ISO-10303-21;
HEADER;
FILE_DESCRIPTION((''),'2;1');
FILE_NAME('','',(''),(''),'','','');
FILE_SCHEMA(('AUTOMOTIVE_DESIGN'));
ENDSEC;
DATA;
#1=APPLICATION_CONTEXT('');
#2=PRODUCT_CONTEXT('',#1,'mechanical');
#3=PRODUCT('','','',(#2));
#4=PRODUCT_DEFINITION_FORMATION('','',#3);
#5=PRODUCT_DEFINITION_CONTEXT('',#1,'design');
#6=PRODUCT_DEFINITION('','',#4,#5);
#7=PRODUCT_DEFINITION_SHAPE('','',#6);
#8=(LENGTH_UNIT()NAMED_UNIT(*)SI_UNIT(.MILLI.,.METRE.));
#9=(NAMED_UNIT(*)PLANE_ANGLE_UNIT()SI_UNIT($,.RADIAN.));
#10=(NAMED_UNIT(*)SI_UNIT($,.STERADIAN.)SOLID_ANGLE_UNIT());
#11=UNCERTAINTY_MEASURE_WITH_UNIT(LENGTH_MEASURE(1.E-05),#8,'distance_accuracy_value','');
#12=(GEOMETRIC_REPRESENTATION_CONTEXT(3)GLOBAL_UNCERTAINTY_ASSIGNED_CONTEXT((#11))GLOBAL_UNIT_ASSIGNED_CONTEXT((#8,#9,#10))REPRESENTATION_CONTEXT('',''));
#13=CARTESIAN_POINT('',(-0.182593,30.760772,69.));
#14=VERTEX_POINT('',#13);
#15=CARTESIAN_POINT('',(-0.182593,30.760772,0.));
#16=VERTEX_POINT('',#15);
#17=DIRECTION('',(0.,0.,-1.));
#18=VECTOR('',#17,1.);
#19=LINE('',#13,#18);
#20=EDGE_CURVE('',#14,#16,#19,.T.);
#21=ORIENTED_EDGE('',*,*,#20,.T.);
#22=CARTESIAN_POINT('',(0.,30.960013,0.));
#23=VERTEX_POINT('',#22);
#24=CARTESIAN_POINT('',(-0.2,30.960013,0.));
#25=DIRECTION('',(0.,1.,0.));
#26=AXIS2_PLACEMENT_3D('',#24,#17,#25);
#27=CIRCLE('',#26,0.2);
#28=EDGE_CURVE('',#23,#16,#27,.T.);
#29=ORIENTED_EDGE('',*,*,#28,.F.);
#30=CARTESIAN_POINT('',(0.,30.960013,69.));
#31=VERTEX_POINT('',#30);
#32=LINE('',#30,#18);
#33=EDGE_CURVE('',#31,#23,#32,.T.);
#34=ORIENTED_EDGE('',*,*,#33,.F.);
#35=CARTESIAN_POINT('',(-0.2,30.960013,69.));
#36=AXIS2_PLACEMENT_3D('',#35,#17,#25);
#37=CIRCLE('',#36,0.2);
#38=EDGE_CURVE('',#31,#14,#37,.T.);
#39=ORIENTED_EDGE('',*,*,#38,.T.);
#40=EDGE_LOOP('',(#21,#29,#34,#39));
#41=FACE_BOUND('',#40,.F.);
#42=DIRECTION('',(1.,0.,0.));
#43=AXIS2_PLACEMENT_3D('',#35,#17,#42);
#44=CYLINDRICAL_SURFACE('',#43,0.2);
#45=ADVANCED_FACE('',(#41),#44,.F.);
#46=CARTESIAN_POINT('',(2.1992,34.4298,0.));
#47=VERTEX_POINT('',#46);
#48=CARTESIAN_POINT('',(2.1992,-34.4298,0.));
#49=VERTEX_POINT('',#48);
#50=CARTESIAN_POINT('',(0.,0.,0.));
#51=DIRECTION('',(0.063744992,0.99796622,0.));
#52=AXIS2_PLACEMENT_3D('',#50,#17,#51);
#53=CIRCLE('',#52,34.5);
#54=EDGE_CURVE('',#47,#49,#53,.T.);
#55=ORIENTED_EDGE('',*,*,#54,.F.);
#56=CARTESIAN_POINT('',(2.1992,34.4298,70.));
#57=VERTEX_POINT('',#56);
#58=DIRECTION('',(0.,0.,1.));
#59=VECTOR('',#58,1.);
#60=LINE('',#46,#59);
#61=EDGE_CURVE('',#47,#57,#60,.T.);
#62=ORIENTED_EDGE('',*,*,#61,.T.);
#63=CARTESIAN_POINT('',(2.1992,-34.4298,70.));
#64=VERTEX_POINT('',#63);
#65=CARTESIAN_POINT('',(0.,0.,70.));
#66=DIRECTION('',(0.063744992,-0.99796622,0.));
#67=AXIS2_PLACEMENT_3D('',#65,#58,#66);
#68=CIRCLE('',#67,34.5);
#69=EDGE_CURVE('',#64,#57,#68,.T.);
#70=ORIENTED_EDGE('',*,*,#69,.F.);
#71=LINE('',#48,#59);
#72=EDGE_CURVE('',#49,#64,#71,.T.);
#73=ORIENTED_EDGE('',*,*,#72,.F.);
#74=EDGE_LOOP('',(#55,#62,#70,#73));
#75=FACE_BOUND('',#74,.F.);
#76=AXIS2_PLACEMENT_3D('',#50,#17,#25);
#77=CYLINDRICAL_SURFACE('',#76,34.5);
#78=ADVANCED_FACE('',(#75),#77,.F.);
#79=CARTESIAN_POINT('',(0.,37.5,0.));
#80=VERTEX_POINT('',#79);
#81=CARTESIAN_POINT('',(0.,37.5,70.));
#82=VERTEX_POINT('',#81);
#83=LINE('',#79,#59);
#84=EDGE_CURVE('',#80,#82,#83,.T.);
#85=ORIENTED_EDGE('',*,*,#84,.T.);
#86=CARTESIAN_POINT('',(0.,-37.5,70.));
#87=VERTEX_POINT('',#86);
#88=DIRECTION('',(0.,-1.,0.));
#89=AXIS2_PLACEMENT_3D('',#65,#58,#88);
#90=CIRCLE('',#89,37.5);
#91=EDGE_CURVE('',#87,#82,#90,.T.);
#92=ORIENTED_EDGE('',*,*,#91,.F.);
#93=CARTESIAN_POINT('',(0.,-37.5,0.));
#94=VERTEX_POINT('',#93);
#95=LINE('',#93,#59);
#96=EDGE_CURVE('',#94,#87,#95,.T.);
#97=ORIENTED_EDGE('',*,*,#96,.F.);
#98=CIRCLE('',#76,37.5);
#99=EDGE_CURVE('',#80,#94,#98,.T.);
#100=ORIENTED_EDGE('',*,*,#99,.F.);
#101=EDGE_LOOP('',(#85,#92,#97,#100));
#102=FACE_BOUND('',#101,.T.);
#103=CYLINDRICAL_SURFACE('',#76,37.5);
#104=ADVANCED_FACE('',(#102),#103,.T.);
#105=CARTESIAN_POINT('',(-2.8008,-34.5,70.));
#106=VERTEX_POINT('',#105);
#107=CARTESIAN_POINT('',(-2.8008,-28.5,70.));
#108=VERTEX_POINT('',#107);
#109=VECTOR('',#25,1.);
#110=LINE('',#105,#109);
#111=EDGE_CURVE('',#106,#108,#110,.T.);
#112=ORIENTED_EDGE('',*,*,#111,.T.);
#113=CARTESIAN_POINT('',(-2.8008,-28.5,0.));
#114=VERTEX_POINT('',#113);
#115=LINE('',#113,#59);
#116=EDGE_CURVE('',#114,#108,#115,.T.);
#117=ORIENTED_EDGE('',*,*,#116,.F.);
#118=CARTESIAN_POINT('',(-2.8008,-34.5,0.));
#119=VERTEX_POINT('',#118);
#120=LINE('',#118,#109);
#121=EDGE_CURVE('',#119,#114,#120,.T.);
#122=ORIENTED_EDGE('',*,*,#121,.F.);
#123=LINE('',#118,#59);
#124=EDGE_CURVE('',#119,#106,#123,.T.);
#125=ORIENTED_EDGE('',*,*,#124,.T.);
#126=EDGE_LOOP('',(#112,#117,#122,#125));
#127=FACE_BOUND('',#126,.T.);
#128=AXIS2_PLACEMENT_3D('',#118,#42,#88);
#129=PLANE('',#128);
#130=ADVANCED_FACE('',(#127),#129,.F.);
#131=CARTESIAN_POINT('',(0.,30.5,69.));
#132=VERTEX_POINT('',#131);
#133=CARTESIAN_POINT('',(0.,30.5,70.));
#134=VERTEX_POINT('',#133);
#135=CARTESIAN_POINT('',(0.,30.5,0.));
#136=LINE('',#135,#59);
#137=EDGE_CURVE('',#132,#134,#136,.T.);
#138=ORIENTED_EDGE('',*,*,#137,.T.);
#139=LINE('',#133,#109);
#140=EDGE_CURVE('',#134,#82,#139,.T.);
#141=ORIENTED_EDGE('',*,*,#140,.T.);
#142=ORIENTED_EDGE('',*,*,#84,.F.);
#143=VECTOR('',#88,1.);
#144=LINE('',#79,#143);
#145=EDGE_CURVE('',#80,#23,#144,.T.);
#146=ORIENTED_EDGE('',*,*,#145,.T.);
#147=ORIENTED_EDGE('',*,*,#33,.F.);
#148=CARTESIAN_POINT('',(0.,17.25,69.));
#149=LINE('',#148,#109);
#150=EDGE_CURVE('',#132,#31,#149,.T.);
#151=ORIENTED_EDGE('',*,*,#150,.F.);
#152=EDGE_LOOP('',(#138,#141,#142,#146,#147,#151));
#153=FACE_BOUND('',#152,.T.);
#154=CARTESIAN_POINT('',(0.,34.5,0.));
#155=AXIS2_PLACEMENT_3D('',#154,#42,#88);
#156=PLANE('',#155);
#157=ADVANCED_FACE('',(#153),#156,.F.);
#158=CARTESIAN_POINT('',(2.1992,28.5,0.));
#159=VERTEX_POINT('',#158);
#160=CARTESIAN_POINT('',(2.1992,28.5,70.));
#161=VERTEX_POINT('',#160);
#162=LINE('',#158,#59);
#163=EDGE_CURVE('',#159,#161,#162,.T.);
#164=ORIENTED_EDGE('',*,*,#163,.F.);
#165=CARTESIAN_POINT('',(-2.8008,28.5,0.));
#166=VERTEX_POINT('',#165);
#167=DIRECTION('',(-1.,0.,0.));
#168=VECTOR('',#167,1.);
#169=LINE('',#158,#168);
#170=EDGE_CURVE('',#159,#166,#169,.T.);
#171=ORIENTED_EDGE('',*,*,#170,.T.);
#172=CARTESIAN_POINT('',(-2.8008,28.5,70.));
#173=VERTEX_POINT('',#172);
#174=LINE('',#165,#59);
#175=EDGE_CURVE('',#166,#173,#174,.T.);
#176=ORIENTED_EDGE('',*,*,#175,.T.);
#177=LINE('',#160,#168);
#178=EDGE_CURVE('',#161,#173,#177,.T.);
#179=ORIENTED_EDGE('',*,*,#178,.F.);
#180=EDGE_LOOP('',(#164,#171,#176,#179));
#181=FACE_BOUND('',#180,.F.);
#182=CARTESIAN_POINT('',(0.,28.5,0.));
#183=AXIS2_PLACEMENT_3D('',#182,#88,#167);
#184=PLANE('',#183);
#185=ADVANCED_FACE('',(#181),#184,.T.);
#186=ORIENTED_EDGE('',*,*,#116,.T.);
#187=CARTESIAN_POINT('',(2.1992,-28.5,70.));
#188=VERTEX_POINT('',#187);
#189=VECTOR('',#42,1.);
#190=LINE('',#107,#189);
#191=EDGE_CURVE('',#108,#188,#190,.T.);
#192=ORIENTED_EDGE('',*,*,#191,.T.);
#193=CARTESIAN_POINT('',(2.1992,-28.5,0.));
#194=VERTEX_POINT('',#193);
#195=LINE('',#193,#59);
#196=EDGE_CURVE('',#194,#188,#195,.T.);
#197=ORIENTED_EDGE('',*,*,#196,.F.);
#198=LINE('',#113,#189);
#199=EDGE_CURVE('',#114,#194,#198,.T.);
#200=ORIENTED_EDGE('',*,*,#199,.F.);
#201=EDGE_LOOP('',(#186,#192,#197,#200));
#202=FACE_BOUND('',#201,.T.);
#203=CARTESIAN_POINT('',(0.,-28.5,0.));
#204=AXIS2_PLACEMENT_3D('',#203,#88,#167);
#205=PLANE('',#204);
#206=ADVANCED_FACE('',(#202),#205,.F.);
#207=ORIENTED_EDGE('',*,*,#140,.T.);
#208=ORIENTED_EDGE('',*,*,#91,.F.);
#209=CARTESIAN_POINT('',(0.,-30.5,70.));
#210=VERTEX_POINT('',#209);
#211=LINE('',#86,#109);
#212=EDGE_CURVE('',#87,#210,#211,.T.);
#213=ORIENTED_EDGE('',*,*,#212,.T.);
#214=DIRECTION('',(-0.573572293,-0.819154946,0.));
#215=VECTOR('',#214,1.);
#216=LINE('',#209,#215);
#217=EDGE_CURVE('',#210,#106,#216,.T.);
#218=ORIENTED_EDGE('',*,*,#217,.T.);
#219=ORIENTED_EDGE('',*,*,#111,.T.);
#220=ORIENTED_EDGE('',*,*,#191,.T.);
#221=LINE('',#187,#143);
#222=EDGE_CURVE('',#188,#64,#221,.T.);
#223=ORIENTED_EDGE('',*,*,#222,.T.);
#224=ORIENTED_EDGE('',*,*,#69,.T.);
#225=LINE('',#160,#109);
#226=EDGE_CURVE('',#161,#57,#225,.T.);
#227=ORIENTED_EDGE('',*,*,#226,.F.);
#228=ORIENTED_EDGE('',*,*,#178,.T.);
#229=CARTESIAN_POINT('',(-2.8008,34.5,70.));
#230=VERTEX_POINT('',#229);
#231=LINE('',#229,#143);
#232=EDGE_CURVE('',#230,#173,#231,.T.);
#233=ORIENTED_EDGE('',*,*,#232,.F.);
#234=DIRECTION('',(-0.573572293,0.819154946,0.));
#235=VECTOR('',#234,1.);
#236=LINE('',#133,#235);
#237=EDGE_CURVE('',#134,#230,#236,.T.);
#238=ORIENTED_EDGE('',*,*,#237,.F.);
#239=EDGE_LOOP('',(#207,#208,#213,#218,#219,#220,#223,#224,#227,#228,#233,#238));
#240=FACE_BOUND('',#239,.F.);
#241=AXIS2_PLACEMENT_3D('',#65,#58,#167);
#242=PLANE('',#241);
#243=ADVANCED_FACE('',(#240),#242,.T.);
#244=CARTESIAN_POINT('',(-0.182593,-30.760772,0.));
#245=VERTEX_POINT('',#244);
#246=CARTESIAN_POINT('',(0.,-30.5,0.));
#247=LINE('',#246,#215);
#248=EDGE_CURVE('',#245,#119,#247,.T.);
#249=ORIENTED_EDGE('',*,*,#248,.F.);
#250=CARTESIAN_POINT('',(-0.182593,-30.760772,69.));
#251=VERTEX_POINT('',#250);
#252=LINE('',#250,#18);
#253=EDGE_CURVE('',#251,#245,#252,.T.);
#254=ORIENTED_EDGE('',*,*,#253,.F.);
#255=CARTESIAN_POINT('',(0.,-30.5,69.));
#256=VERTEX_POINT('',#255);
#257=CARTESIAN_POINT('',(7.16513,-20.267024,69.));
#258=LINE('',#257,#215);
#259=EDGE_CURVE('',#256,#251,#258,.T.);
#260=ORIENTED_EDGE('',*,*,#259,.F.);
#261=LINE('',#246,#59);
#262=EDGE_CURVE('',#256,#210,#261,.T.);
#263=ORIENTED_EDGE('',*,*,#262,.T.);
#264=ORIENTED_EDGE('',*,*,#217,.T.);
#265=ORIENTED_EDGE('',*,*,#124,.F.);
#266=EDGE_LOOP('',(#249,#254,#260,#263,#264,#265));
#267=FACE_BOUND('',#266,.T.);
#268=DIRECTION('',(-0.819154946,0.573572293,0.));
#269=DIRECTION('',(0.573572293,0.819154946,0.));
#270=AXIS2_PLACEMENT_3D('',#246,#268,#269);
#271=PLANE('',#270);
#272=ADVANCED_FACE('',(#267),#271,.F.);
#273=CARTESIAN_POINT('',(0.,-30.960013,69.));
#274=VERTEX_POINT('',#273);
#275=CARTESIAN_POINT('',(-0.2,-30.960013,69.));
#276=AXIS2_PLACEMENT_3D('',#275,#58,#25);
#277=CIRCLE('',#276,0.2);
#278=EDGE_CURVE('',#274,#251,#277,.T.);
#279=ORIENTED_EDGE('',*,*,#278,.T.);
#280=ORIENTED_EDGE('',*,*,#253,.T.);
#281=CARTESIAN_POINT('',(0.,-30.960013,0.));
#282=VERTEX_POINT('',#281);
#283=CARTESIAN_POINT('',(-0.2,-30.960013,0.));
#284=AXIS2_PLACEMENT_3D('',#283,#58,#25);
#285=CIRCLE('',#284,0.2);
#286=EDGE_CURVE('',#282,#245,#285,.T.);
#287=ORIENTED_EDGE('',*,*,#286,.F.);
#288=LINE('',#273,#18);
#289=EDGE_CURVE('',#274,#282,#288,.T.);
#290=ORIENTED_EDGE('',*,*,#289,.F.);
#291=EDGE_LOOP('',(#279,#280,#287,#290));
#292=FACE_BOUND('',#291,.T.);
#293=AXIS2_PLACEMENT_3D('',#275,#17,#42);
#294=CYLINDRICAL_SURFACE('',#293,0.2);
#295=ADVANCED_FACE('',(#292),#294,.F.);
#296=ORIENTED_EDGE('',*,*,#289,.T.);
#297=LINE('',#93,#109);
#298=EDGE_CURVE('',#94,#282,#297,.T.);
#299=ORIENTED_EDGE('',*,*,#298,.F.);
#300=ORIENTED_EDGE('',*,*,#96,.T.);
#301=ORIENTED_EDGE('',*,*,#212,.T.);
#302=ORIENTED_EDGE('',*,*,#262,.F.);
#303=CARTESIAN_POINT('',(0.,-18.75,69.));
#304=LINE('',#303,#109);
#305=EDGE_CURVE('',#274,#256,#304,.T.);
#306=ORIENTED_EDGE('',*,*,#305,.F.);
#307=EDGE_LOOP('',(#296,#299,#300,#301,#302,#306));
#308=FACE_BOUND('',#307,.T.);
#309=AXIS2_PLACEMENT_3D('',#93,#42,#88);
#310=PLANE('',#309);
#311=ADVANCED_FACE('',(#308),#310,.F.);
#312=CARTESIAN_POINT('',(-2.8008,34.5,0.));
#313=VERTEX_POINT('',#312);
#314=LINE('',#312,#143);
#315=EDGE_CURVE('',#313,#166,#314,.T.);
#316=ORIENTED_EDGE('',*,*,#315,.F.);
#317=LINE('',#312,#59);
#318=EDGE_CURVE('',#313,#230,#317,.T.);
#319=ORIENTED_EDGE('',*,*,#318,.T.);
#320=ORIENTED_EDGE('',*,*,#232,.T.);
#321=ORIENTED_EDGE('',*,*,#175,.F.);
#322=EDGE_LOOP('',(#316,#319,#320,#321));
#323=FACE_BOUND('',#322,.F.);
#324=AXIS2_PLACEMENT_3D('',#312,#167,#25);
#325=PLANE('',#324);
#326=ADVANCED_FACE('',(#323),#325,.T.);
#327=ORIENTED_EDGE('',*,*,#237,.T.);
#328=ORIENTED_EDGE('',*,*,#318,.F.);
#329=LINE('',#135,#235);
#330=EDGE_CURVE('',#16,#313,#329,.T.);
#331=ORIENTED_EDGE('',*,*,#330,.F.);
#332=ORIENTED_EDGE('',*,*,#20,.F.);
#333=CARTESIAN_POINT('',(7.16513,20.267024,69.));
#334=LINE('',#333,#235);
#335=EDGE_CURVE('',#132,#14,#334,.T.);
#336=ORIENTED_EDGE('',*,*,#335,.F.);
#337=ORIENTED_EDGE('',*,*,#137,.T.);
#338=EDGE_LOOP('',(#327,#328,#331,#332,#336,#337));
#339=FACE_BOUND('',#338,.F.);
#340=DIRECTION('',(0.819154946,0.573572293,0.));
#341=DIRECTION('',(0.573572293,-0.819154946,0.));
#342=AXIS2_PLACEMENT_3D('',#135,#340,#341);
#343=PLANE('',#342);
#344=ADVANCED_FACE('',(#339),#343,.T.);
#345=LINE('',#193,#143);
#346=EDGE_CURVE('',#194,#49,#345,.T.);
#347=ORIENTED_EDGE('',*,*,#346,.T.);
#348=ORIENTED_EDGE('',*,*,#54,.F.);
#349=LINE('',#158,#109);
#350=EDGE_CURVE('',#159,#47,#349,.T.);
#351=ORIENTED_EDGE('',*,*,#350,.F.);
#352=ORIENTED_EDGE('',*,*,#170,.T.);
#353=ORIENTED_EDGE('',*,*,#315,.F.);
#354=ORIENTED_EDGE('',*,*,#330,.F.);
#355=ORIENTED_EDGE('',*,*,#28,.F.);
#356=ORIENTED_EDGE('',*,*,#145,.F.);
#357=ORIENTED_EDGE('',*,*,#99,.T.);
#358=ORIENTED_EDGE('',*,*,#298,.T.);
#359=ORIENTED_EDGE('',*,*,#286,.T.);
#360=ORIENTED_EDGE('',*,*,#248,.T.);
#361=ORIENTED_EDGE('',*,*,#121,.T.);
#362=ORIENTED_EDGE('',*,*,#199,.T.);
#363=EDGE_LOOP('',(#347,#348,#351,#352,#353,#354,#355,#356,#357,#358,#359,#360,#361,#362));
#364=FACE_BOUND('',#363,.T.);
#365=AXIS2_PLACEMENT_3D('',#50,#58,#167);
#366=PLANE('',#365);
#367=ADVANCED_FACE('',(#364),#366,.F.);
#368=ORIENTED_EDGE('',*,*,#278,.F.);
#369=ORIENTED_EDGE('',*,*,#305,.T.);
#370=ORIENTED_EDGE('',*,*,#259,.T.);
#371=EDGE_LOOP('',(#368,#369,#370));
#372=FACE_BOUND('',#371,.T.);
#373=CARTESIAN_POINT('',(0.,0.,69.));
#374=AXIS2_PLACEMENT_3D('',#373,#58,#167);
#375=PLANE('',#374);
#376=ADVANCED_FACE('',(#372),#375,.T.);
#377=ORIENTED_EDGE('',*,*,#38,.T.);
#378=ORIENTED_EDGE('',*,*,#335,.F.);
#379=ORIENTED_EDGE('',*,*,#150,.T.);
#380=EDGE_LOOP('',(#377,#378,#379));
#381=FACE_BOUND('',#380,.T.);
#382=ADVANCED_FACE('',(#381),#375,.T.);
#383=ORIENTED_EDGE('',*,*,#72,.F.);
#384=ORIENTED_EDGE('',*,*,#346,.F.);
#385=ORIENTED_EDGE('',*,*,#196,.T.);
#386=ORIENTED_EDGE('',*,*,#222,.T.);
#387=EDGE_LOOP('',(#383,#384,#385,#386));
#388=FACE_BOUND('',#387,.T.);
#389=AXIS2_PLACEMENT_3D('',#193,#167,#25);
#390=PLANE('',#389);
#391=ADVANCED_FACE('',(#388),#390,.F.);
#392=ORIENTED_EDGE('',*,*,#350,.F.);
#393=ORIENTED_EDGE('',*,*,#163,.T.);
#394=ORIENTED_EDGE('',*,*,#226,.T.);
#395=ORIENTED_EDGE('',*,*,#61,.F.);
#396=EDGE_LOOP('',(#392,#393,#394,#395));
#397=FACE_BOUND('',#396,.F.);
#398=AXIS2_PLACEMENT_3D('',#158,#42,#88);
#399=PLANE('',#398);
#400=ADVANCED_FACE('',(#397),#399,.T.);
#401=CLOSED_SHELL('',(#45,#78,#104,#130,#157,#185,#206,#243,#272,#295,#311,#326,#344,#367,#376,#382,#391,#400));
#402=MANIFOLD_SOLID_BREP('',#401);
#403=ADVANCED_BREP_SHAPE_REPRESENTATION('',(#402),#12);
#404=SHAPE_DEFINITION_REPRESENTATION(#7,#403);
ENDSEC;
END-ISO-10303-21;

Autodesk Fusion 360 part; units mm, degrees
sketch "Sketch4" plane through (0, 0, 0) normal (0, 0, 1) x (1, 0, 0)
  line L0 (0, 37.5) -> (0, -37.5)
  line L1 (0, 0) -> (37.5, 0)
  arc A0 (0, -34.5) -> (0, 34.5) centre (0, 0) ccw
  arc A1 (0, -37.5) -> (0, 37.5) centre (0, 0) ccw
  line L2 (0, 37.5) -> (-2.5, 37.5) construction
  line L3 (0, 34.5) -> (0, 30.5)
  line L4 (0, 30.5) -> (-2.8008, 34.5)
  line L5 (-2.8008, 34.5) -> (-2.8008, 28.5)
  line L6 (-2.8008, 28.5) -> (2.1992, 28.5)
  line L7 (2.1992, 28.5) -> (2.1992, 34.4298)
  line L8 (2.1992, -28.5) -> (2.1992, -34.4298)
  line L9 (0, -34.5) -> (0, -30.5)
  line L10 (0, -30.5) -> (-2.8008, -34.5)
  line L11 (-2.8008, -34.5) -> (-2.8008, -28.5)
  line L12 (-2.8008, -28.5) -> (2.1992, -28.5)
  dimension "d10" = 75
  dimension "d20" = 4
  dimension "d21" = 35
  dimension "d23" = 5
  dimension "d29" = 2
  dimension "d30" = 6
  dimension "d36" = 3
extrude "Extrude6" add sketch "Sketch4" along normal blind 70 contours L0 L1 A0 A1 | L0 A0 L3 L6 L7 | L0 L1 A0 A1 | L0 L4 L5 L6 | L0 A0 L8 L9 L12 | L0 L10 L11 L12 makes body 1
sketch "Sketch6" plane through (0, 0, 70) normal (0, 0, 1) x (-1, 0, 0)
  arc A0 (0, 37.5) -> (0, -37.5) centre (0, 0) ccw
  line L0 (0, 30.5) -> (0, 37.5)
  line L1 (0, -30.5) -> (2.8008, -34.5)
  line L2 (2.8008, -34.5) -> (2.8008, -28.5)
  line L3 (2.8008, -28.5) -> (-2.1992, -28.5)
  line L4 (0, 37.5) -> (0, -28.5)
  line L5 (0, -28.5) -> (2.8008, -28.5)
  line L6 (0, -30.5) -> (0, -28.5)
  line L7 (2.8008, -28.5) -> (2.8008, -34.5)
  line L8 (-2.1992, -31.9243) -> (-2.1992, -26)
  line L9 (-2.1992, -31.9243) -> (0, -31.9243)
  line L10 (-2.1992, -28.5) -> (-2.1992, -34.4298)
  arc A1 (-2.1992, 34.4298) -> (-2.1992, -34.4298) centre (0, 0) ccw
  line L11 (-2.1992, 34.4298) -> (-2.1992, 28.5)
  line L12 (-2.1992, 28.5) -> (2.8008, 28.5)
  line L13 (2.8008, 28.5) -> (2.8008, 34.5)
  line L14 (2.8008, 34.5) -> (0, 30.5)
  line L15 (0, -37.5) -> (0, -30.5)
  arc A2 (2.7253, -34.3922) -> (2.8008, -34.3861) centre (0, 0) ccw
  arc A3 (2.8008, 34.3861) -> (2.7253, 34.3922) centre (0, 0) ccw
  arc A4 (0, 34.5) -> (-2.1992, 34.4298) centre (0, 0) ccw
  arc A5 (-2.1992, -34.4298) -> (0, -34.5) centre (0, 0) ccw
extrude "Extrude7" cut sketch "Sketch6" against normal blind 1 contours L0 L4 L11 L12 A4 | L9 L10 L15 A5 | L4 L12 L13 L14 A3 | L3 L6 L8 L9 L10 L15 | L13 L14 A3 | L1 L2 L3 L5 L6 L7 A2 | L1 L2 L7 A2 bodies 1
mirror "Mirror2" about plane through (0, 0, 0) normal (0, 1, 0) of "Extrude7"
sketch "Sketch7" plane through (0, 0, 69) normal (0, 0, 1) x (-1, 0, 0)
  line L0 (2.8008, -34.5) -> (2.8008, -28.5)
  line L1 (2.8008, -28.5) -> (-2.1992, -28.5)
  line L2 (2.8008, -34.5) -> (2.8008, -28.5)
  line L3 (0, -30.5) -> (2.8008, -34.5)
  line L4 (0, -30.5) -> (2.8008, -34.5)
  line L5 (2.7008, -28.5) -> (2.7008, -34.1828)
  line L6 (2.7008, -34.1828) -> (0, -30.3257)
  line L7 (0, -30.5) -> (0, -30.3257)
  arc A0 (-2.1992, -34.4298) -> (0, -34.5) centre (0, 0) ccw
  dimension "d37" = 0.1
  dimension "d38" = 0.1
extrude "Extrude8" cut sketch "Sketch7" against normal blind 70 bodies 1
mirror "Mirror3" about plane through (0, 0, 0) normal (0, 1, 0) of "Extrude6", "Extrude7", "Extrude8", "Mirror2" makes body 2
fillet "Fillet1" radius 0.2 4 edges at (-2.7008, 34.1828, 34.5) (0, 30.3257, 34.5) (-2.7008, -34.1828, 34.5) (0, -30.3257, 34.5) on bodies 1 2
combine "Combine1" operation add target body 2 tool bodies 1
